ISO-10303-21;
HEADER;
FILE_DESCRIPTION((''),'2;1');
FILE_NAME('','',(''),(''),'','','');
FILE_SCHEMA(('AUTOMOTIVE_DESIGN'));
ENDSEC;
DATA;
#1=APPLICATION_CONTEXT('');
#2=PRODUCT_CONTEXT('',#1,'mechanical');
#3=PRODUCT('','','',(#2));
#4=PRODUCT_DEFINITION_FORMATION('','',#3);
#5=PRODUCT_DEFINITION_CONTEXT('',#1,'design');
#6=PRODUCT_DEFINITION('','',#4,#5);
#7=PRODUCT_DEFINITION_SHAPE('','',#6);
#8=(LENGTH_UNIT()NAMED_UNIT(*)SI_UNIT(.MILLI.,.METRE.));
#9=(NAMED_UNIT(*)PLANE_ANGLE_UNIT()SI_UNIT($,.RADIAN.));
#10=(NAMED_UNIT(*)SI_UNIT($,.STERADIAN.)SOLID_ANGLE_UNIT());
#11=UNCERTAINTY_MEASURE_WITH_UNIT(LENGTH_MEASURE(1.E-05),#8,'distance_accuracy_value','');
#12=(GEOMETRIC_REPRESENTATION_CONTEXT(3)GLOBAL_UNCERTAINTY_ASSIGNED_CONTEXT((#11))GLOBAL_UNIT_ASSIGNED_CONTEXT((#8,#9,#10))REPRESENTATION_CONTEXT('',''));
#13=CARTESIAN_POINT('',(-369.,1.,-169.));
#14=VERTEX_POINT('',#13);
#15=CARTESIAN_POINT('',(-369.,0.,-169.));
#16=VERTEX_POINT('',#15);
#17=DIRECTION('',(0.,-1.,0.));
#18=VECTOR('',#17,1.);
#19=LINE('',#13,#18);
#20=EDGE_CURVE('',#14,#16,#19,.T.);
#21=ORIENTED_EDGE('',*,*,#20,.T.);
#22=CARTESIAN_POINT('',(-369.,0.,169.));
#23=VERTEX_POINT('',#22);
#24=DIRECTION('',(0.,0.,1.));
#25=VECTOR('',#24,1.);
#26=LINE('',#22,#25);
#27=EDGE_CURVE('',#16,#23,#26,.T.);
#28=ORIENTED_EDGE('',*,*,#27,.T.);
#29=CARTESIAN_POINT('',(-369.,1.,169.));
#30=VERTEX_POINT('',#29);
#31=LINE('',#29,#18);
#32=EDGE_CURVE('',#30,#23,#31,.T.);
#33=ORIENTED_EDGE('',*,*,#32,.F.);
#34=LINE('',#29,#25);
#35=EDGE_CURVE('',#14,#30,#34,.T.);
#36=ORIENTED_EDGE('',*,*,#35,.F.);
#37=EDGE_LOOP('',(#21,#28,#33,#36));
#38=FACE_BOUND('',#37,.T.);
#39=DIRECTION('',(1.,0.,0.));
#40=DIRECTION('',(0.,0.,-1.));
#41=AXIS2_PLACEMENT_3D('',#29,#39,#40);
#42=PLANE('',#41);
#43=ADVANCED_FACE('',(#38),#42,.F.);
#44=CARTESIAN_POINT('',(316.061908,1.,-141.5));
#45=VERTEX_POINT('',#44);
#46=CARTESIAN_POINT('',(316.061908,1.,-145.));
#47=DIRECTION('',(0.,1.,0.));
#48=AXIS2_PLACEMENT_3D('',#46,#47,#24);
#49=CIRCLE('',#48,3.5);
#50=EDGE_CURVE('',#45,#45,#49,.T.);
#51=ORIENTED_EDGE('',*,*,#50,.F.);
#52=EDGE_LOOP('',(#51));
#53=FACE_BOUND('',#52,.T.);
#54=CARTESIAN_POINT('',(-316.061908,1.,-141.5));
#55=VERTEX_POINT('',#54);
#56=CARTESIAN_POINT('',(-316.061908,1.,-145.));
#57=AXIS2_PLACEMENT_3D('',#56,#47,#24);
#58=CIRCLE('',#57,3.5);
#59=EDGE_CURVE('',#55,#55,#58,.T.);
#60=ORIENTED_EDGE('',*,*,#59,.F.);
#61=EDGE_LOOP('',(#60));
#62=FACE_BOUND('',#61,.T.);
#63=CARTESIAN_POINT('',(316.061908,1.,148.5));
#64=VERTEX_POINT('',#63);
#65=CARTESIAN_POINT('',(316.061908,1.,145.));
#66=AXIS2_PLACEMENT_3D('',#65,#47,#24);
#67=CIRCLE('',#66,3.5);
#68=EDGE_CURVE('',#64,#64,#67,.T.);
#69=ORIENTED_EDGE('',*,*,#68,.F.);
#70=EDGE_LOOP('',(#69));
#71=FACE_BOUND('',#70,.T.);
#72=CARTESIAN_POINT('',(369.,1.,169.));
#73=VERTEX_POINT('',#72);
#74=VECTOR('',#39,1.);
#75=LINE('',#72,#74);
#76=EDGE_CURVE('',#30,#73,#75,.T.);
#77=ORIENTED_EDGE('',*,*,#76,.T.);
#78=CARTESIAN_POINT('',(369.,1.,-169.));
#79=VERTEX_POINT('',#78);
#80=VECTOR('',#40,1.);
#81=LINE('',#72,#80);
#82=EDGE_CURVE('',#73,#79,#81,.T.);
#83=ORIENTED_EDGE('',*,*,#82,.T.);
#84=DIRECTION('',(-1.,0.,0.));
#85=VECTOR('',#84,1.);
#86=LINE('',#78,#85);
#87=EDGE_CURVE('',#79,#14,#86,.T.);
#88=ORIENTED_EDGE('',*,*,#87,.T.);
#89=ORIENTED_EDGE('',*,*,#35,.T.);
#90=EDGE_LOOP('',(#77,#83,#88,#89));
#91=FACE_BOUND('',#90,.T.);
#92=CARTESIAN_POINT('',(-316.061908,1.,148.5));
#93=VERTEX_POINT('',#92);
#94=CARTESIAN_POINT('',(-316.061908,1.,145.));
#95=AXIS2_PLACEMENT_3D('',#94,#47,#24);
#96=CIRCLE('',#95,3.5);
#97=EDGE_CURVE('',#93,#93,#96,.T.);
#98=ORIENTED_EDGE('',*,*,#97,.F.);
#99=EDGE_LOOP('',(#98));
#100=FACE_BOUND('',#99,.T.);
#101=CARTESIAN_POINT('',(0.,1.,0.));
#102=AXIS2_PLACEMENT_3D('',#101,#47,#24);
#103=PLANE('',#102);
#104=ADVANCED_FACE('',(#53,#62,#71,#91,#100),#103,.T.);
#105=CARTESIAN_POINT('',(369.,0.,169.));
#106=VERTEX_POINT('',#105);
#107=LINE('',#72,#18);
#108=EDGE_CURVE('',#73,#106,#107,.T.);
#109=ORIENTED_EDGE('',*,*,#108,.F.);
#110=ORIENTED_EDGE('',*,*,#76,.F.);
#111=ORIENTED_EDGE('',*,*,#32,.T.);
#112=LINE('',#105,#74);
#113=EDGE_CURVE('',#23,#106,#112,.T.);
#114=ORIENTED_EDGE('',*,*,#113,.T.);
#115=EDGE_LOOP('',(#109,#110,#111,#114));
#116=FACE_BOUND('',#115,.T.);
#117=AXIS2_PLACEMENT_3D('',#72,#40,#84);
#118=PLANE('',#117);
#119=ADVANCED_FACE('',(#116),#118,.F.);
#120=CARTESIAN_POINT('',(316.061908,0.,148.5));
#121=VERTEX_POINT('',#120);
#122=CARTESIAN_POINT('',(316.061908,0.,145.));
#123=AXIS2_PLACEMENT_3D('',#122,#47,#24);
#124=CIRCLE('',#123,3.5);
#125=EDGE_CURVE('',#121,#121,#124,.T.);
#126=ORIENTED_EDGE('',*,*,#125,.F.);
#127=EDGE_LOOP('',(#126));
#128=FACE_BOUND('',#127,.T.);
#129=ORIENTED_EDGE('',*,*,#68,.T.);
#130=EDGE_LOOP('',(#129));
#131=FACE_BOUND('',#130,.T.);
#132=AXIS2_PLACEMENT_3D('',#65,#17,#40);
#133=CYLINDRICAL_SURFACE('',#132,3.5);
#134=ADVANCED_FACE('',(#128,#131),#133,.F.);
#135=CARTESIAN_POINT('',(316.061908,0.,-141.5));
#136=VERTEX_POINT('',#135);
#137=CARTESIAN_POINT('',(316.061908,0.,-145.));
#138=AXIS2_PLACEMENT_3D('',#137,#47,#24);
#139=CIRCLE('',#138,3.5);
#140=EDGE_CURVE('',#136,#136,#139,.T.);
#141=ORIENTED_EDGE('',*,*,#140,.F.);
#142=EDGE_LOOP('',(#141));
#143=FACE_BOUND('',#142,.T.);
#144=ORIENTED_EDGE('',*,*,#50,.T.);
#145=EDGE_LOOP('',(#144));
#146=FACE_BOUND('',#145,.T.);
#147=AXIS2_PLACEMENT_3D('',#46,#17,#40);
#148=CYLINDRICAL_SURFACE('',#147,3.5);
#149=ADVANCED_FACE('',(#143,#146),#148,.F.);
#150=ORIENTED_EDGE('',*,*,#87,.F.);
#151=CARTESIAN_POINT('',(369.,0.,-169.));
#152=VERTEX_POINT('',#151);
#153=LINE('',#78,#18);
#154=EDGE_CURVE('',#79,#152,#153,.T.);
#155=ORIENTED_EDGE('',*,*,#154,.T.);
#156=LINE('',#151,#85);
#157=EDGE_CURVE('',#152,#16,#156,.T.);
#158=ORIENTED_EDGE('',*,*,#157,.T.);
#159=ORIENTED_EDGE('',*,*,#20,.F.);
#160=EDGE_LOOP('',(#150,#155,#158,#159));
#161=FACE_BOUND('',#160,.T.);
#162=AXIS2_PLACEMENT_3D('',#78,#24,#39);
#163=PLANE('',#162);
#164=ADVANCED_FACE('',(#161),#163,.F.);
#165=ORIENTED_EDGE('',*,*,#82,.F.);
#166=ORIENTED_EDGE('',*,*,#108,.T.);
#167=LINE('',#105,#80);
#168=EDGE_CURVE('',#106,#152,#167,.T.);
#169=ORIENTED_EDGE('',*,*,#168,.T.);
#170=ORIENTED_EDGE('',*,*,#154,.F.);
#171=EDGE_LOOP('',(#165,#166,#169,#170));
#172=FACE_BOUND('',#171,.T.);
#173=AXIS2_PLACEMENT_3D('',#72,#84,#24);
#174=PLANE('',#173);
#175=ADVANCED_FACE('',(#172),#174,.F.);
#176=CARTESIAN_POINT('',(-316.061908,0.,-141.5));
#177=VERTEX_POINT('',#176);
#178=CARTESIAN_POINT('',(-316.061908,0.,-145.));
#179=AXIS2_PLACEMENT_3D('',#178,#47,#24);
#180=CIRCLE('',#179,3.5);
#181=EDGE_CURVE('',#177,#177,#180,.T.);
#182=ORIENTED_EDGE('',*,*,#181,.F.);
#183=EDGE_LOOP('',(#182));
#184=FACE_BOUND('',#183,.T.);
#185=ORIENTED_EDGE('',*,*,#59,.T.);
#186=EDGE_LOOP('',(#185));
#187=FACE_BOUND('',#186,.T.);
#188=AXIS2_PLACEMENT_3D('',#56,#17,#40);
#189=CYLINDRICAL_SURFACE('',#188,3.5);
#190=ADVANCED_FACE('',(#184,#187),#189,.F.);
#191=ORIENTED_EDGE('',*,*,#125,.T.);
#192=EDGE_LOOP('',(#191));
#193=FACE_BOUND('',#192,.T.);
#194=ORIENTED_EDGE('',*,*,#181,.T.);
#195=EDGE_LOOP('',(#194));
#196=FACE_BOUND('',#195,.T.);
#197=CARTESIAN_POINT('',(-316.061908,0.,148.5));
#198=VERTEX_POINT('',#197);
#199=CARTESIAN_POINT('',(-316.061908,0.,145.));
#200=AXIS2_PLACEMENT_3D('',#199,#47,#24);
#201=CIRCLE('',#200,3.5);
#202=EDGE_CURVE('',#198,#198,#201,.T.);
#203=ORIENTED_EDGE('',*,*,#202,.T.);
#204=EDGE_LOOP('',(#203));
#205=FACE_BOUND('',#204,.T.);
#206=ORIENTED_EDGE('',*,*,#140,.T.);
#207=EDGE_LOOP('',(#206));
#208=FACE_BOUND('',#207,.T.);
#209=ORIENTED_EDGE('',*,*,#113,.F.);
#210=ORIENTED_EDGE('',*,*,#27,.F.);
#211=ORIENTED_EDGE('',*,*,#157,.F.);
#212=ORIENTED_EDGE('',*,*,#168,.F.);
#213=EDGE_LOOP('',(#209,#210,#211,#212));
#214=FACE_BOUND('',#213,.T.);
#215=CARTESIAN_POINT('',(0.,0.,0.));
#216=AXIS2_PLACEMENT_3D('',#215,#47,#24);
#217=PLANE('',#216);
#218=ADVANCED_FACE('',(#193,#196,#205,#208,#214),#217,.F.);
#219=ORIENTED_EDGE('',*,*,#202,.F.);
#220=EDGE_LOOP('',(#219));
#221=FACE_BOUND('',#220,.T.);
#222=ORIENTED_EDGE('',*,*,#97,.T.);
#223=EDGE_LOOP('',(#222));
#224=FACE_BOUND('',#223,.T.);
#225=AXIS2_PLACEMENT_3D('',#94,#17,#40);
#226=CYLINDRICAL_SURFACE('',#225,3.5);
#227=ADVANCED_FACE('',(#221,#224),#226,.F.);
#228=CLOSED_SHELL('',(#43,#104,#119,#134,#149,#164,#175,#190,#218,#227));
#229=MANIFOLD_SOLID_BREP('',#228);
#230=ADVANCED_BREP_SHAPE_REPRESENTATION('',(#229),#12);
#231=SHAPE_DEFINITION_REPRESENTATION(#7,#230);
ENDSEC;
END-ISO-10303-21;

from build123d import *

# Parameters (mm, degrees)
SKETCH2_W           = 738
SKETCH2_H           = 338
SKETCH2_R           = 3.5
BOSS_EXTRUDE1_DEPTH = 1


with BuildPart() as part:
    # Sketch2 → Boss-Extrude1 (new body)
    with BuildSketch(Plane(origin=(0, 0, 0), x_dir=(1, 0, 0), z_dir=(0, 1, 0))):
        Rectangle(SKETCH2_W, SKETCH2_H)
        with Locations((-316.061908403, 145)):
            Circle(SKETCH2_R, mode=Mode.SUBTRACT)
        with Locations((-316.061908403, -145)):
            Circle(SKETCH2_R, mode=Mode.SUBTRACT)
        with Locations((316.061908403, -145)):
            Circle(SKETCH2_R, mode=Mode.SUBTRACT)
        with Locations((316.061908403, 145)):
            Circle(SKETCH2_R, mode=Mode.SUBTRACT)
    extrude(amount=BOSS_EXTRUDE1_DEPTH)


solid = part.part
